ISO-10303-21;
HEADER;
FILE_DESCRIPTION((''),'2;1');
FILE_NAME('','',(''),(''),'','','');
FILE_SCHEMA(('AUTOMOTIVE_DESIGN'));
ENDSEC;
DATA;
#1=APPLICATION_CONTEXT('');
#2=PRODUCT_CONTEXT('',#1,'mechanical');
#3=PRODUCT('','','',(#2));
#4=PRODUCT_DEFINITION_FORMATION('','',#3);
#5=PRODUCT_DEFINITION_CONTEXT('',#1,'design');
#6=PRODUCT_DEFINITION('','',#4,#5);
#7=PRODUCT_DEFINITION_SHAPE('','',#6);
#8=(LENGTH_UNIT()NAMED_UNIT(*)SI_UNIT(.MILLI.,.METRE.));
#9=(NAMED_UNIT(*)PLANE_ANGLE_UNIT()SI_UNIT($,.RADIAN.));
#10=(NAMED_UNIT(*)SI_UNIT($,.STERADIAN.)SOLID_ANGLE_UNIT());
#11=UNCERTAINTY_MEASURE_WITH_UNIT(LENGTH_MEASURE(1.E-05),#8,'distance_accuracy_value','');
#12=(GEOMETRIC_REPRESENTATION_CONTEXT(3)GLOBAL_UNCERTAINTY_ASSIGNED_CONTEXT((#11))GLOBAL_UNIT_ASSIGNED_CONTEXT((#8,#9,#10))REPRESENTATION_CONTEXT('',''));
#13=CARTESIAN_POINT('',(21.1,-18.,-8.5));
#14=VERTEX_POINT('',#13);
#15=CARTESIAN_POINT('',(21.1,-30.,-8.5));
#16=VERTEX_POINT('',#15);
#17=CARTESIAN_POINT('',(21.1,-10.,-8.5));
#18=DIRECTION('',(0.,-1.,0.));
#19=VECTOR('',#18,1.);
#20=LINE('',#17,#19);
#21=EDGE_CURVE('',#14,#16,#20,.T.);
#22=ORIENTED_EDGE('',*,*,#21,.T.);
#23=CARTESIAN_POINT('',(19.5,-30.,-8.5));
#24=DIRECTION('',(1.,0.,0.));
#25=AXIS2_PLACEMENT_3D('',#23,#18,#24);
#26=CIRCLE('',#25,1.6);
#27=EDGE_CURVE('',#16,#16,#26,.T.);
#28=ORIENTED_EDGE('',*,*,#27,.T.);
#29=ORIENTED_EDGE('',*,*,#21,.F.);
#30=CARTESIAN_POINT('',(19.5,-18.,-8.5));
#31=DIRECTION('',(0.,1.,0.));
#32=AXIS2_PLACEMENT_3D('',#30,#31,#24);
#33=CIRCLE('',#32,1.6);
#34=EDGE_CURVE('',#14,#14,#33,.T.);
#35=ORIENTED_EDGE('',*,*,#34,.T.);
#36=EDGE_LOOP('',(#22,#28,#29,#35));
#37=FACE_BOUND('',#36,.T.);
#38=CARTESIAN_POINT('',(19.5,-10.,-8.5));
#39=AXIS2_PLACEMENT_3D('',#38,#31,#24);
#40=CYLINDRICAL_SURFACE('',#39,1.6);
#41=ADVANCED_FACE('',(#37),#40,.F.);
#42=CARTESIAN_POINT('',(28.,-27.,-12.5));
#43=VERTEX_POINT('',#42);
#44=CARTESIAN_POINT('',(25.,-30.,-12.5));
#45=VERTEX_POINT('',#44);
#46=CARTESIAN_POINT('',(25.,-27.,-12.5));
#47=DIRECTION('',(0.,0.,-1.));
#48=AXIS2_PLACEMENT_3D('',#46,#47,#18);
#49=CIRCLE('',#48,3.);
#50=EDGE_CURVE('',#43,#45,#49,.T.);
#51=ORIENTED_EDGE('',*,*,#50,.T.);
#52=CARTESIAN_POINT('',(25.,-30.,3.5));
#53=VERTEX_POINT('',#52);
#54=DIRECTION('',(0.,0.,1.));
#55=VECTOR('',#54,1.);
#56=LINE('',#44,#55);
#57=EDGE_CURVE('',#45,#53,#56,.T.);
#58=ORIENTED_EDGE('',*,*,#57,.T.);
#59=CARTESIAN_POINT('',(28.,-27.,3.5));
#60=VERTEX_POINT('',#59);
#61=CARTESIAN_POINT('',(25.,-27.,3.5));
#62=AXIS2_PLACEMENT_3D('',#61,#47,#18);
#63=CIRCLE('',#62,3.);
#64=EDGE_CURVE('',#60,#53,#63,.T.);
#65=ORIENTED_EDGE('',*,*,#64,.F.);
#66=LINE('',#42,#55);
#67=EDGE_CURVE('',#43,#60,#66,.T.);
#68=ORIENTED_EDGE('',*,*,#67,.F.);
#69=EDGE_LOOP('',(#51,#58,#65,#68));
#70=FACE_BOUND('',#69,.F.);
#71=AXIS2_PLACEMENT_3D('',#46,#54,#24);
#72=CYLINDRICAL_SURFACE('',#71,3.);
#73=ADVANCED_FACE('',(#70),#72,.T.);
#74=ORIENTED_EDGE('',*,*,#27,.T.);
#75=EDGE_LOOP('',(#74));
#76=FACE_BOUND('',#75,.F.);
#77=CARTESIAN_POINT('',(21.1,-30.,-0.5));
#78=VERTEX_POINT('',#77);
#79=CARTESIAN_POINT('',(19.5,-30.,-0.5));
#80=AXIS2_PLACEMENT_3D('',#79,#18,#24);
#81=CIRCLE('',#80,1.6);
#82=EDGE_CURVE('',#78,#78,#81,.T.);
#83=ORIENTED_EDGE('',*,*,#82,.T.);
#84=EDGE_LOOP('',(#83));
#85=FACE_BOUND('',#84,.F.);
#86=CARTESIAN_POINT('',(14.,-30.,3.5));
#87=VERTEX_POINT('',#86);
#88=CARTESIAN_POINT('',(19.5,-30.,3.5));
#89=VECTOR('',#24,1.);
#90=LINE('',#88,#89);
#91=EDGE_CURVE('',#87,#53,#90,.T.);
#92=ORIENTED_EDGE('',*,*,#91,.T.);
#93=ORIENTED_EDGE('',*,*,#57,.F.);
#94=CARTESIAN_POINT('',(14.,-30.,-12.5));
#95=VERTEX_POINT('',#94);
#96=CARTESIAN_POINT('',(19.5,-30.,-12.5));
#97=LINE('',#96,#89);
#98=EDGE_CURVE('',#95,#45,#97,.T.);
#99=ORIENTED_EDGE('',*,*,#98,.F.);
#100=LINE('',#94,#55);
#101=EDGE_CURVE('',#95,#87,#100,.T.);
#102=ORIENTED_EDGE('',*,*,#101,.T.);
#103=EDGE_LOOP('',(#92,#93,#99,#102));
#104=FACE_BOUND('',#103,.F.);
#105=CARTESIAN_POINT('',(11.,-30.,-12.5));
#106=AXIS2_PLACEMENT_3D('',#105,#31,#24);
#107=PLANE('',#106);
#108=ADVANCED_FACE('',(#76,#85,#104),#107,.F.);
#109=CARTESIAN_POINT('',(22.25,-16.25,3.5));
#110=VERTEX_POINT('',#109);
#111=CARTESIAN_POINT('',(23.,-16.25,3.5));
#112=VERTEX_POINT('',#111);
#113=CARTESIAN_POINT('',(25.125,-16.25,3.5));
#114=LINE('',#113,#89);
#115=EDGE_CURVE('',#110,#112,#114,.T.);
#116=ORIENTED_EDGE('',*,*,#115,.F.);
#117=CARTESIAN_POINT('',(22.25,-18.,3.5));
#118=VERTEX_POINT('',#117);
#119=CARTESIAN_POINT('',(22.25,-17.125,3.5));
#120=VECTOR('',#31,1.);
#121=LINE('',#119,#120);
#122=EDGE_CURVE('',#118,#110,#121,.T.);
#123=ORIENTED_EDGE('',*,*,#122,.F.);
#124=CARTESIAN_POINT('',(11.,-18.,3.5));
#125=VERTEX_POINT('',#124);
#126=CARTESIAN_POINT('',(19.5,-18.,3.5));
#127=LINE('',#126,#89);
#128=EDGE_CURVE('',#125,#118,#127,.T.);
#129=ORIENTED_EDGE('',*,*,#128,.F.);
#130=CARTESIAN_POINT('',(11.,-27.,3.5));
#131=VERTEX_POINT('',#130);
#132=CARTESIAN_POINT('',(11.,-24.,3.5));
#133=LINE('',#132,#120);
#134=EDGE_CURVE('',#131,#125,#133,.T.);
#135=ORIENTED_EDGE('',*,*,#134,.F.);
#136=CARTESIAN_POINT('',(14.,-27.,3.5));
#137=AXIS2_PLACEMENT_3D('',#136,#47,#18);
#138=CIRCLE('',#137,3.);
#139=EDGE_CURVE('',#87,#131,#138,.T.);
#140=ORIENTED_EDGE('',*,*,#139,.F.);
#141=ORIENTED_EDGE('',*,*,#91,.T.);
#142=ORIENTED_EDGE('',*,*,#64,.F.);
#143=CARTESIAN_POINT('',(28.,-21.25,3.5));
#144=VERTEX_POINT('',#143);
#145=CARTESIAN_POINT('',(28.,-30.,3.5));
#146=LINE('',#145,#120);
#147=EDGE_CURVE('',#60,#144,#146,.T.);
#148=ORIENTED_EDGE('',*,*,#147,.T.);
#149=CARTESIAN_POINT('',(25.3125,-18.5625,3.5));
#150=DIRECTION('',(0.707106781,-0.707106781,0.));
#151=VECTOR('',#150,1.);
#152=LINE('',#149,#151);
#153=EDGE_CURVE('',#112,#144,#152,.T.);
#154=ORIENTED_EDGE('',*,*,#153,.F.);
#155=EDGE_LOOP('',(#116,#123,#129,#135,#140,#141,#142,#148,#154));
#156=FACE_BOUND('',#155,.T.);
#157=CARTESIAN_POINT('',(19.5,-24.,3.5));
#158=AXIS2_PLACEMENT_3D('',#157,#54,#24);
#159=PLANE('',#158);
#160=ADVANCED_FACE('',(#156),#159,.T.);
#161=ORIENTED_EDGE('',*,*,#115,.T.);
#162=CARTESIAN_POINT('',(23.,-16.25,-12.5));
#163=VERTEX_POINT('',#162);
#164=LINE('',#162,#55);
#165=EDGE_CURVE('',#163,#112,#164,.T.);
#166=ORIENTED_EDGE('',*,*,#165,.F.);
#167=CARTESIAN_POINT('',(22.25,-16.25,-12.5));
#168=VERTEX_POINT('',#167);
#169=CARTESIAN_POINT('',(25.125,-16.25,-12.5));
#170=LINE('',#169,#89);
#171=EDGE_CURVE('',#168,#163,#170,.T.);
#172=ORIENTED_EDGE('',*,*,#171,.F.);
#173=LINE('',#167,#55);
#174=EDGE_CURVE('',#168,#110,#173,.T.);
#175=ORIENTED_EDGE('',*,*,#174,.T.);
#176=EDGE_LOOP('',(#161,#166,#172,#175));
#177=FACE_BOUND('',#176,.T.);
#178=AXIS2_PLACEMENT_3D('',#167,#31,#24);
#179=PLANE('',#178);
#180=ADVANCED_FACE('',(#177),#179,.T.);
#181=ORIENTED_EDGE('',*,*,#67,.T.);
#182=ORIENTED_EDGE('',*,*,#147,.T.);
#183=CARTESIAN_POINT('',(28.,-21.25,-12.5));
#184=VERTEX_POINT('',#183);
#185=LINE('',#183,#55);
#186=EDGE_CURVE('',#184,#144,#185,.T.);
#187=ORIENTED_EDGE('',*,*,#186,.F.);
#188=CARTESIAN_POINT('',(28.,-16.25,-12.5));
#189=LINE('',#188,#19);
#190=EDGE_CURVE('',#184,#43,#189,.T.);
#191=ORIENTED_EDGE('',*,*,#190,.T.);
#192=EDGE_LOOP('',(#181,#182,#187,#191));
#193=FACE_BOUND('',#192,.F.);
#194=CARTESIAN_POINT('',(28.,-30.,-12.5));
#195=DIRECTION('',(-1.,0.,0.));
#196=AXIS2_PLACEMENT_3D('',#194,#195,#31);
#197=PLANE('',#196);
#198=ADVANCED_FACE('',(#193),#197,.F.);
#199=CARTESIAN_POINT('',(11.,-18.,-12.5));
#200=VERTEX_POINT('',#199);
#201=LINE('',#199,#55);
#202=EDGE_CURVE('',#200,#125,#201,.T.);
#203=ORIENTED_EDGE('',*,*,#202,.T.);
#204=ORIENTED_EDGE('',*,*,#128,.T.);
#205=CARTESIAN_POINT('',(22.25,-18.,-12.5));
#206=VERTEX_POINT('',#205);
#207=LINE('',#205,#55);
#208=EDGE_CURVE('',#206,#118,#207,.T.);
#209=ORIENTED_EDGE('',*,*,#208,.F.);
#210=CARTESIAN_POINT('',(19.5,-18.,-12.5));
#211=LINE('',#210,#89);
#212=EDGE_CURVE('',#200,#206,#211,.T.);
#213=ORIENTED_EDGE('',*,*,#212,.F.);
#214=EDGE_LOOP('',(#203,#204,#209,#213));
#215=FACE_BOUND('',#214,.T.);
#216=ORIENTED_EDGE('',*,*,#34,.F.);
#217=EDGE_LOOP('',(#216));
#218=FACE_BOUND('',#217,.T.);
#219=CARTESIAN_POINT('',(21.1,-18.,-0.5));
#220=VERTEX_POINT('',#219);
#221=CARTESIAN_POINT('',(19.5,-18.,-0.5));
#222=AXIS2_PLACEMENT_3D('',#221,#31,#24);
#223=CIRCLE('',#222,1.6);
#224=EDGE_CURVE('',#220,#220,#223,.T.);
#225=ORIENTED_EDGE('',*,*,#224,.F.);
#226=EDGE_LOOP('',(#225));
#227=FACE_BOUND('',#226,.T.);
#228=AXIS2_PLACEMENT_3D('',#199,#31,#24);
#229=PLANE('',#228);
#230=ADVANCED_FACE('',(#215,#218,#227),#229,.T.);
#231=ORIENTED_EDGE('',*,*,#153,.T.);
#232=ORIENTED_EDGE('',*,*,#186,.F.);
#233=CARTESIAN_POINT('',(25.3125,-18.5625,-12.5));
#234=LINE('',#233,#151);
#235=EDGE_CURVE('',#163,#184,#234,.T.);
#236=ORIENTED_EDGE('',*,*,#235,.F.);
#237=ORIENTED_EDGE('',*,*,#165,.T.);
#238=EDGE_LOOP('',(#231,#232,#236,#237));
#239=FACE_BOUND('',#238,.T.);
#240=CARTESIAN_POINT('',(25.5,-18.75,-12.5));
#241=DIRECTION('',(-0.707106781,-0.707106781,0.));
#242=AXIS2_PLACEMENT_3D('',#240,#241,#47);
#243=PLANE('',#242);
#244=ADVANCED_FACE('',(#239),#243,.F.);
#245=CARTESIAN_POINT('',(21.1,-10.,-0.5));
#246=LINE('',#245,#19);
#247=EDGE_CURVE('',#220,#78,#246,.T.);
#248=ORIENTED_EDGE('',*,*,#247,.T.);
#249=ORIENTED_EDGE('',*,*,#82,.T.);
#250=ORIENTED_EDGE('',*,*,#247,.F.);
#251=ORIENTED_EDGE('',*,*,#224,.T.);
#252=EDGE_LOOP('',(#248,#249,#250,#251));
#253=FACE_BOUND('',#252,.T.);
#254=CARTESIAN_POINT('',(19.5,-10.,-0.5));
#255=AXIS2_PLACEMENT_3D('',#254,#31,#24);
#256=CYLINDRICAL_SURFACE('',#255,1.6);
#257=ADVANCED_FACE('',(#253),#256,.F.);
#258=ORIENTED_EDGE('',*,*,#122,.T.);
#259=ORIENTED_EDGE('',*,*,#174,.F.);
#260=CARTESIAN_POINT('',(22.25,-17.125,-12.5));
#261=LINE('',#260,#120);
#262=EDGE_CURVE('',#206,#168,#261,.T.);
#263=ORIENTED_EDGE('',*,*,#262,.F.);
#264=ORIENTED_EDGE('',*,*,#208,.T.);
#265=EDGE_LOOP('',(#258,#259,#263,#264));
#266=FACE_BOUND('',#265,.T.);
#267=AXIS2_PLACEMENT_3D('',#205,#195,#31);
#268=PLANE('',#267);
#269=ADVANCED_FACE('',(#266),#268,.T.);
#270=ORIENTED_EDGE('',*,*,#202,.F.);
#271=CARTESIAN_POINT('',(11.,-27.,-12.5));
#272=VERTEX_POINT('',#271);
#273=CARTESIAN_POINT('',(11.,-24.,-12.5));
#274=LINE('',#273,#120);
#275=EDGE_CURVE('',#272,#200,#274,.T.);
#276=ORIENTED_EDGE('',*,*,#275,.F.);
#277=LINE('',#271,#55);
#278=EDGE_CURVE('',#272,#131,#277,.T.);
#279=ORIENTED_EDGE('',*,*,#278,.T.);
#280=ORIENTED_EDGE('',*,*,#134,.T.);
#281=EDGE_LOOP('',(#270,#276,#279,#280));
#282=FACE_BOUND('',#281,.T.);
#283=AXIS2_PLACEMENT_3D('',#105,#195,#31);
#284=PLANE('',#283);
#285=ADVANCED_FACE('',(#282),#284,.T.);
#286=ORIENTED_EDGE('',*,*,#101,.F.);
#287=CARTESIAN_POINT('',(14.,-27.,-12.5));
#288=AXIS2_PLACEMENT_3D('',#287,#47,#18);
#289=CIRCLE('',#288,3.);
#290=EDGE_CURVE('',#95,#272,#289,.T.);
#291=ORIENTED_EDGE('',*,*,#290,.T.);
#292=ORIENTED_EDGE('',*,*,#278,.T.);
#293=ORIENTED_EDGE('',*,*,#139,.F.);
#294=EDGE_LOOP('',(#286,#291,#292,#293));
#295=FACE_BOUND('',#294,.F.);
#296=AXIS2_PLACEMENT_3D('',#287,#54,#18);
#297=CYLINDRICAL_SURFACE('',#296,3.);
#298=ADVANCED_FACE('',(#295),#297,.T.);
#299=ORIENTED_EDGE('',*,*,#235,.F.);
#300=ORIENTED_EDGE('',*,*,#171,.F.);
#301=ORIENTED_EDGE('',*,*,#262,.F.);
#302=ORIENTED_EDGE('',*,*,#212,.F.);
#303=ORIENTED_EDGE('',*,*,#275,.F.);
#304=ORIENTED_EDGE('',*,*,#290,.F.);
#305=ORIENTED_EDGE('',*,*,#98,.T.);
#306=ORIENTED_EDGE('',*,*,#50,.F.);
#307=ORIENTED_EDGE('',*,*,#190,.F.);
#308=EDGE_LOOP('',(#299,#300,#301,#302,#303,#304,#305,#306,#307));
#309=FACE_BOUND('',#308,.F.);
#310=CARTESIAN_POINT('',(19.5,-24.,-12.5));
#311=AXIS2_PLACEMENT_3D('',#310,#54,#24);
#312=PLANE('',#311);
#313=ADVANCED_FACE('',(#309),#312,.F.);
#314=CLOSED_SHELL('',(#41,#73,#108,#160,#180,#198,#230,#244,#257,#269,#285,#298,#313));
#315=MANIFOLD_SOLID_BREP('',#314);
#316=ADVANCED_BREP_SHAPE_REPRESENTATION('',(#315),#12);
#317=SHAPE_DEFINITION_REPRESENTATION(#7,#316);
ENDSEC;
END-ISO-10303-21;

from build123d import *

# Parameters (mm, degrees)
CYLINDER898_R          = 1.6
CYLINDER898_DEPTH      = 20
CYLINDER898_ROLL_ANGLE = 90
CYLINDER897_R          = 1.6
CYLINDER897_DEPTH      = 20
CYLINDER897_ROLL_ANGLE = 90
BOX552_W               = 17
BOX552_H               = 12
BOX552_DEPTH           = 16
BOX553_W               = 5.75
BOX553_H               = 1.75
BOX553_DEPTH           = 16
CHAMFER001_SIZE        = 5
FILLET013_R            = 3


with BuildPart() as cylinder1021:
    # Cylinder898 → Cylinder898 (new body)
    with BuildSketch(Plane.XY):
        Circle(CYLINDER898_R)
    extrude(amount=CYLINDER898_DEPTH)


with BuildPart() as cylinder1021_1:
    # Cylinder898 roll: moved
    add(cylinder1021.part.rotate(Axis((0, 0, 0), (1, 0, 0)), CYLINDER898_ROLL_ANGLE))


with BuildPart() as cylinder1021_2:
    # Cylinder898 placement: moved
    add(cylinder1021_1.part.moved(Location((19.5, 30, 0.5))))


with BuildPart() as fusion056:
    # Cylinder897 → Cylinder897 (new body)
    with BuildSketch(Plane.XY):
        Circle(CYLINDER897_R)
    extrude(amount=CYLINDER897_DEPTH)


with BuildPart() as fusion056_1:
    # Cylinder897 roll: moved
    add(fusion056.part.rotate(Axis((0, 0, 0), (1, 0, 0)), CYLINDER897_ROLL_ANGLE))


with BuildPart() as fusion056_2:
    # Cylinder897 placement: moved
    add(fusion056_1.part.moved(Location((19.5, 30, -7.5))))

    # Fusion056: union Cylinder1021
    add(cylinder1021_2.part)


with BuildPart() as fusion056_3:
    # Fusion056 placement: moved
    add(fusion056_2.part.moved(Location((0, -40, 0))))


with BuildPart() as cube743:
    # Box552 → Box552 (new body)
    with BuildSketch(Plane(origin=(11, -30, -11.5), x_dir=(1, 0, 0), z_dir=(0, 0, 1))):
        with Locations((8.5, 6)):
            Rectangle(BOX552_W, BOX552_H)
    extrude(amount=BOX552_DEPTH)


with BuildPart() as diff_box_mount_left:
    # Box553 → Box553 (new body)
    with BuildSketch(Plane(origin=(22.25, -18, -11.5), x_dir=(1, 0, 0), z_dir=(0, 0, 1))):
        with Locations((2.875, 0.875)):
            Rectangle(BOX553_W, BOX553_H)
    extrude(amount=BOX553_DEPTH)

    # Fusion055: union Cube743
    add(cube743.part)

    # Chamfer001
    chamfer001_edges = [diff_box_mount_left.edges().sort_by_distance(p)[0] for p in [
        (28, -16.25, -3.5),
    ]]
    chamfer(chamfer001_edges, length=CHAMFER001_SIZE)

    # Fillet013
    fillet013_edges = [diff_box_mount_left.edges().sort_by_distance(p)[0] for p in [
        (28, -30, -3.5),
        (11, -30, -3.5),
    ]]
    fillet(fillet013_edges, radius=FILLET013_R)

    # Cut014020: cut Fusion056
    add(fusion056_3.part, mode=Mode.SUBTRACT)


with BuildPart() as diff_box_mount_left_1:
    # Cut014020 placement: moved
    add(diff_box_mount_left.part.moved(Location((0, 0, -1))))


solid = diff_box_mount_left_1.part
